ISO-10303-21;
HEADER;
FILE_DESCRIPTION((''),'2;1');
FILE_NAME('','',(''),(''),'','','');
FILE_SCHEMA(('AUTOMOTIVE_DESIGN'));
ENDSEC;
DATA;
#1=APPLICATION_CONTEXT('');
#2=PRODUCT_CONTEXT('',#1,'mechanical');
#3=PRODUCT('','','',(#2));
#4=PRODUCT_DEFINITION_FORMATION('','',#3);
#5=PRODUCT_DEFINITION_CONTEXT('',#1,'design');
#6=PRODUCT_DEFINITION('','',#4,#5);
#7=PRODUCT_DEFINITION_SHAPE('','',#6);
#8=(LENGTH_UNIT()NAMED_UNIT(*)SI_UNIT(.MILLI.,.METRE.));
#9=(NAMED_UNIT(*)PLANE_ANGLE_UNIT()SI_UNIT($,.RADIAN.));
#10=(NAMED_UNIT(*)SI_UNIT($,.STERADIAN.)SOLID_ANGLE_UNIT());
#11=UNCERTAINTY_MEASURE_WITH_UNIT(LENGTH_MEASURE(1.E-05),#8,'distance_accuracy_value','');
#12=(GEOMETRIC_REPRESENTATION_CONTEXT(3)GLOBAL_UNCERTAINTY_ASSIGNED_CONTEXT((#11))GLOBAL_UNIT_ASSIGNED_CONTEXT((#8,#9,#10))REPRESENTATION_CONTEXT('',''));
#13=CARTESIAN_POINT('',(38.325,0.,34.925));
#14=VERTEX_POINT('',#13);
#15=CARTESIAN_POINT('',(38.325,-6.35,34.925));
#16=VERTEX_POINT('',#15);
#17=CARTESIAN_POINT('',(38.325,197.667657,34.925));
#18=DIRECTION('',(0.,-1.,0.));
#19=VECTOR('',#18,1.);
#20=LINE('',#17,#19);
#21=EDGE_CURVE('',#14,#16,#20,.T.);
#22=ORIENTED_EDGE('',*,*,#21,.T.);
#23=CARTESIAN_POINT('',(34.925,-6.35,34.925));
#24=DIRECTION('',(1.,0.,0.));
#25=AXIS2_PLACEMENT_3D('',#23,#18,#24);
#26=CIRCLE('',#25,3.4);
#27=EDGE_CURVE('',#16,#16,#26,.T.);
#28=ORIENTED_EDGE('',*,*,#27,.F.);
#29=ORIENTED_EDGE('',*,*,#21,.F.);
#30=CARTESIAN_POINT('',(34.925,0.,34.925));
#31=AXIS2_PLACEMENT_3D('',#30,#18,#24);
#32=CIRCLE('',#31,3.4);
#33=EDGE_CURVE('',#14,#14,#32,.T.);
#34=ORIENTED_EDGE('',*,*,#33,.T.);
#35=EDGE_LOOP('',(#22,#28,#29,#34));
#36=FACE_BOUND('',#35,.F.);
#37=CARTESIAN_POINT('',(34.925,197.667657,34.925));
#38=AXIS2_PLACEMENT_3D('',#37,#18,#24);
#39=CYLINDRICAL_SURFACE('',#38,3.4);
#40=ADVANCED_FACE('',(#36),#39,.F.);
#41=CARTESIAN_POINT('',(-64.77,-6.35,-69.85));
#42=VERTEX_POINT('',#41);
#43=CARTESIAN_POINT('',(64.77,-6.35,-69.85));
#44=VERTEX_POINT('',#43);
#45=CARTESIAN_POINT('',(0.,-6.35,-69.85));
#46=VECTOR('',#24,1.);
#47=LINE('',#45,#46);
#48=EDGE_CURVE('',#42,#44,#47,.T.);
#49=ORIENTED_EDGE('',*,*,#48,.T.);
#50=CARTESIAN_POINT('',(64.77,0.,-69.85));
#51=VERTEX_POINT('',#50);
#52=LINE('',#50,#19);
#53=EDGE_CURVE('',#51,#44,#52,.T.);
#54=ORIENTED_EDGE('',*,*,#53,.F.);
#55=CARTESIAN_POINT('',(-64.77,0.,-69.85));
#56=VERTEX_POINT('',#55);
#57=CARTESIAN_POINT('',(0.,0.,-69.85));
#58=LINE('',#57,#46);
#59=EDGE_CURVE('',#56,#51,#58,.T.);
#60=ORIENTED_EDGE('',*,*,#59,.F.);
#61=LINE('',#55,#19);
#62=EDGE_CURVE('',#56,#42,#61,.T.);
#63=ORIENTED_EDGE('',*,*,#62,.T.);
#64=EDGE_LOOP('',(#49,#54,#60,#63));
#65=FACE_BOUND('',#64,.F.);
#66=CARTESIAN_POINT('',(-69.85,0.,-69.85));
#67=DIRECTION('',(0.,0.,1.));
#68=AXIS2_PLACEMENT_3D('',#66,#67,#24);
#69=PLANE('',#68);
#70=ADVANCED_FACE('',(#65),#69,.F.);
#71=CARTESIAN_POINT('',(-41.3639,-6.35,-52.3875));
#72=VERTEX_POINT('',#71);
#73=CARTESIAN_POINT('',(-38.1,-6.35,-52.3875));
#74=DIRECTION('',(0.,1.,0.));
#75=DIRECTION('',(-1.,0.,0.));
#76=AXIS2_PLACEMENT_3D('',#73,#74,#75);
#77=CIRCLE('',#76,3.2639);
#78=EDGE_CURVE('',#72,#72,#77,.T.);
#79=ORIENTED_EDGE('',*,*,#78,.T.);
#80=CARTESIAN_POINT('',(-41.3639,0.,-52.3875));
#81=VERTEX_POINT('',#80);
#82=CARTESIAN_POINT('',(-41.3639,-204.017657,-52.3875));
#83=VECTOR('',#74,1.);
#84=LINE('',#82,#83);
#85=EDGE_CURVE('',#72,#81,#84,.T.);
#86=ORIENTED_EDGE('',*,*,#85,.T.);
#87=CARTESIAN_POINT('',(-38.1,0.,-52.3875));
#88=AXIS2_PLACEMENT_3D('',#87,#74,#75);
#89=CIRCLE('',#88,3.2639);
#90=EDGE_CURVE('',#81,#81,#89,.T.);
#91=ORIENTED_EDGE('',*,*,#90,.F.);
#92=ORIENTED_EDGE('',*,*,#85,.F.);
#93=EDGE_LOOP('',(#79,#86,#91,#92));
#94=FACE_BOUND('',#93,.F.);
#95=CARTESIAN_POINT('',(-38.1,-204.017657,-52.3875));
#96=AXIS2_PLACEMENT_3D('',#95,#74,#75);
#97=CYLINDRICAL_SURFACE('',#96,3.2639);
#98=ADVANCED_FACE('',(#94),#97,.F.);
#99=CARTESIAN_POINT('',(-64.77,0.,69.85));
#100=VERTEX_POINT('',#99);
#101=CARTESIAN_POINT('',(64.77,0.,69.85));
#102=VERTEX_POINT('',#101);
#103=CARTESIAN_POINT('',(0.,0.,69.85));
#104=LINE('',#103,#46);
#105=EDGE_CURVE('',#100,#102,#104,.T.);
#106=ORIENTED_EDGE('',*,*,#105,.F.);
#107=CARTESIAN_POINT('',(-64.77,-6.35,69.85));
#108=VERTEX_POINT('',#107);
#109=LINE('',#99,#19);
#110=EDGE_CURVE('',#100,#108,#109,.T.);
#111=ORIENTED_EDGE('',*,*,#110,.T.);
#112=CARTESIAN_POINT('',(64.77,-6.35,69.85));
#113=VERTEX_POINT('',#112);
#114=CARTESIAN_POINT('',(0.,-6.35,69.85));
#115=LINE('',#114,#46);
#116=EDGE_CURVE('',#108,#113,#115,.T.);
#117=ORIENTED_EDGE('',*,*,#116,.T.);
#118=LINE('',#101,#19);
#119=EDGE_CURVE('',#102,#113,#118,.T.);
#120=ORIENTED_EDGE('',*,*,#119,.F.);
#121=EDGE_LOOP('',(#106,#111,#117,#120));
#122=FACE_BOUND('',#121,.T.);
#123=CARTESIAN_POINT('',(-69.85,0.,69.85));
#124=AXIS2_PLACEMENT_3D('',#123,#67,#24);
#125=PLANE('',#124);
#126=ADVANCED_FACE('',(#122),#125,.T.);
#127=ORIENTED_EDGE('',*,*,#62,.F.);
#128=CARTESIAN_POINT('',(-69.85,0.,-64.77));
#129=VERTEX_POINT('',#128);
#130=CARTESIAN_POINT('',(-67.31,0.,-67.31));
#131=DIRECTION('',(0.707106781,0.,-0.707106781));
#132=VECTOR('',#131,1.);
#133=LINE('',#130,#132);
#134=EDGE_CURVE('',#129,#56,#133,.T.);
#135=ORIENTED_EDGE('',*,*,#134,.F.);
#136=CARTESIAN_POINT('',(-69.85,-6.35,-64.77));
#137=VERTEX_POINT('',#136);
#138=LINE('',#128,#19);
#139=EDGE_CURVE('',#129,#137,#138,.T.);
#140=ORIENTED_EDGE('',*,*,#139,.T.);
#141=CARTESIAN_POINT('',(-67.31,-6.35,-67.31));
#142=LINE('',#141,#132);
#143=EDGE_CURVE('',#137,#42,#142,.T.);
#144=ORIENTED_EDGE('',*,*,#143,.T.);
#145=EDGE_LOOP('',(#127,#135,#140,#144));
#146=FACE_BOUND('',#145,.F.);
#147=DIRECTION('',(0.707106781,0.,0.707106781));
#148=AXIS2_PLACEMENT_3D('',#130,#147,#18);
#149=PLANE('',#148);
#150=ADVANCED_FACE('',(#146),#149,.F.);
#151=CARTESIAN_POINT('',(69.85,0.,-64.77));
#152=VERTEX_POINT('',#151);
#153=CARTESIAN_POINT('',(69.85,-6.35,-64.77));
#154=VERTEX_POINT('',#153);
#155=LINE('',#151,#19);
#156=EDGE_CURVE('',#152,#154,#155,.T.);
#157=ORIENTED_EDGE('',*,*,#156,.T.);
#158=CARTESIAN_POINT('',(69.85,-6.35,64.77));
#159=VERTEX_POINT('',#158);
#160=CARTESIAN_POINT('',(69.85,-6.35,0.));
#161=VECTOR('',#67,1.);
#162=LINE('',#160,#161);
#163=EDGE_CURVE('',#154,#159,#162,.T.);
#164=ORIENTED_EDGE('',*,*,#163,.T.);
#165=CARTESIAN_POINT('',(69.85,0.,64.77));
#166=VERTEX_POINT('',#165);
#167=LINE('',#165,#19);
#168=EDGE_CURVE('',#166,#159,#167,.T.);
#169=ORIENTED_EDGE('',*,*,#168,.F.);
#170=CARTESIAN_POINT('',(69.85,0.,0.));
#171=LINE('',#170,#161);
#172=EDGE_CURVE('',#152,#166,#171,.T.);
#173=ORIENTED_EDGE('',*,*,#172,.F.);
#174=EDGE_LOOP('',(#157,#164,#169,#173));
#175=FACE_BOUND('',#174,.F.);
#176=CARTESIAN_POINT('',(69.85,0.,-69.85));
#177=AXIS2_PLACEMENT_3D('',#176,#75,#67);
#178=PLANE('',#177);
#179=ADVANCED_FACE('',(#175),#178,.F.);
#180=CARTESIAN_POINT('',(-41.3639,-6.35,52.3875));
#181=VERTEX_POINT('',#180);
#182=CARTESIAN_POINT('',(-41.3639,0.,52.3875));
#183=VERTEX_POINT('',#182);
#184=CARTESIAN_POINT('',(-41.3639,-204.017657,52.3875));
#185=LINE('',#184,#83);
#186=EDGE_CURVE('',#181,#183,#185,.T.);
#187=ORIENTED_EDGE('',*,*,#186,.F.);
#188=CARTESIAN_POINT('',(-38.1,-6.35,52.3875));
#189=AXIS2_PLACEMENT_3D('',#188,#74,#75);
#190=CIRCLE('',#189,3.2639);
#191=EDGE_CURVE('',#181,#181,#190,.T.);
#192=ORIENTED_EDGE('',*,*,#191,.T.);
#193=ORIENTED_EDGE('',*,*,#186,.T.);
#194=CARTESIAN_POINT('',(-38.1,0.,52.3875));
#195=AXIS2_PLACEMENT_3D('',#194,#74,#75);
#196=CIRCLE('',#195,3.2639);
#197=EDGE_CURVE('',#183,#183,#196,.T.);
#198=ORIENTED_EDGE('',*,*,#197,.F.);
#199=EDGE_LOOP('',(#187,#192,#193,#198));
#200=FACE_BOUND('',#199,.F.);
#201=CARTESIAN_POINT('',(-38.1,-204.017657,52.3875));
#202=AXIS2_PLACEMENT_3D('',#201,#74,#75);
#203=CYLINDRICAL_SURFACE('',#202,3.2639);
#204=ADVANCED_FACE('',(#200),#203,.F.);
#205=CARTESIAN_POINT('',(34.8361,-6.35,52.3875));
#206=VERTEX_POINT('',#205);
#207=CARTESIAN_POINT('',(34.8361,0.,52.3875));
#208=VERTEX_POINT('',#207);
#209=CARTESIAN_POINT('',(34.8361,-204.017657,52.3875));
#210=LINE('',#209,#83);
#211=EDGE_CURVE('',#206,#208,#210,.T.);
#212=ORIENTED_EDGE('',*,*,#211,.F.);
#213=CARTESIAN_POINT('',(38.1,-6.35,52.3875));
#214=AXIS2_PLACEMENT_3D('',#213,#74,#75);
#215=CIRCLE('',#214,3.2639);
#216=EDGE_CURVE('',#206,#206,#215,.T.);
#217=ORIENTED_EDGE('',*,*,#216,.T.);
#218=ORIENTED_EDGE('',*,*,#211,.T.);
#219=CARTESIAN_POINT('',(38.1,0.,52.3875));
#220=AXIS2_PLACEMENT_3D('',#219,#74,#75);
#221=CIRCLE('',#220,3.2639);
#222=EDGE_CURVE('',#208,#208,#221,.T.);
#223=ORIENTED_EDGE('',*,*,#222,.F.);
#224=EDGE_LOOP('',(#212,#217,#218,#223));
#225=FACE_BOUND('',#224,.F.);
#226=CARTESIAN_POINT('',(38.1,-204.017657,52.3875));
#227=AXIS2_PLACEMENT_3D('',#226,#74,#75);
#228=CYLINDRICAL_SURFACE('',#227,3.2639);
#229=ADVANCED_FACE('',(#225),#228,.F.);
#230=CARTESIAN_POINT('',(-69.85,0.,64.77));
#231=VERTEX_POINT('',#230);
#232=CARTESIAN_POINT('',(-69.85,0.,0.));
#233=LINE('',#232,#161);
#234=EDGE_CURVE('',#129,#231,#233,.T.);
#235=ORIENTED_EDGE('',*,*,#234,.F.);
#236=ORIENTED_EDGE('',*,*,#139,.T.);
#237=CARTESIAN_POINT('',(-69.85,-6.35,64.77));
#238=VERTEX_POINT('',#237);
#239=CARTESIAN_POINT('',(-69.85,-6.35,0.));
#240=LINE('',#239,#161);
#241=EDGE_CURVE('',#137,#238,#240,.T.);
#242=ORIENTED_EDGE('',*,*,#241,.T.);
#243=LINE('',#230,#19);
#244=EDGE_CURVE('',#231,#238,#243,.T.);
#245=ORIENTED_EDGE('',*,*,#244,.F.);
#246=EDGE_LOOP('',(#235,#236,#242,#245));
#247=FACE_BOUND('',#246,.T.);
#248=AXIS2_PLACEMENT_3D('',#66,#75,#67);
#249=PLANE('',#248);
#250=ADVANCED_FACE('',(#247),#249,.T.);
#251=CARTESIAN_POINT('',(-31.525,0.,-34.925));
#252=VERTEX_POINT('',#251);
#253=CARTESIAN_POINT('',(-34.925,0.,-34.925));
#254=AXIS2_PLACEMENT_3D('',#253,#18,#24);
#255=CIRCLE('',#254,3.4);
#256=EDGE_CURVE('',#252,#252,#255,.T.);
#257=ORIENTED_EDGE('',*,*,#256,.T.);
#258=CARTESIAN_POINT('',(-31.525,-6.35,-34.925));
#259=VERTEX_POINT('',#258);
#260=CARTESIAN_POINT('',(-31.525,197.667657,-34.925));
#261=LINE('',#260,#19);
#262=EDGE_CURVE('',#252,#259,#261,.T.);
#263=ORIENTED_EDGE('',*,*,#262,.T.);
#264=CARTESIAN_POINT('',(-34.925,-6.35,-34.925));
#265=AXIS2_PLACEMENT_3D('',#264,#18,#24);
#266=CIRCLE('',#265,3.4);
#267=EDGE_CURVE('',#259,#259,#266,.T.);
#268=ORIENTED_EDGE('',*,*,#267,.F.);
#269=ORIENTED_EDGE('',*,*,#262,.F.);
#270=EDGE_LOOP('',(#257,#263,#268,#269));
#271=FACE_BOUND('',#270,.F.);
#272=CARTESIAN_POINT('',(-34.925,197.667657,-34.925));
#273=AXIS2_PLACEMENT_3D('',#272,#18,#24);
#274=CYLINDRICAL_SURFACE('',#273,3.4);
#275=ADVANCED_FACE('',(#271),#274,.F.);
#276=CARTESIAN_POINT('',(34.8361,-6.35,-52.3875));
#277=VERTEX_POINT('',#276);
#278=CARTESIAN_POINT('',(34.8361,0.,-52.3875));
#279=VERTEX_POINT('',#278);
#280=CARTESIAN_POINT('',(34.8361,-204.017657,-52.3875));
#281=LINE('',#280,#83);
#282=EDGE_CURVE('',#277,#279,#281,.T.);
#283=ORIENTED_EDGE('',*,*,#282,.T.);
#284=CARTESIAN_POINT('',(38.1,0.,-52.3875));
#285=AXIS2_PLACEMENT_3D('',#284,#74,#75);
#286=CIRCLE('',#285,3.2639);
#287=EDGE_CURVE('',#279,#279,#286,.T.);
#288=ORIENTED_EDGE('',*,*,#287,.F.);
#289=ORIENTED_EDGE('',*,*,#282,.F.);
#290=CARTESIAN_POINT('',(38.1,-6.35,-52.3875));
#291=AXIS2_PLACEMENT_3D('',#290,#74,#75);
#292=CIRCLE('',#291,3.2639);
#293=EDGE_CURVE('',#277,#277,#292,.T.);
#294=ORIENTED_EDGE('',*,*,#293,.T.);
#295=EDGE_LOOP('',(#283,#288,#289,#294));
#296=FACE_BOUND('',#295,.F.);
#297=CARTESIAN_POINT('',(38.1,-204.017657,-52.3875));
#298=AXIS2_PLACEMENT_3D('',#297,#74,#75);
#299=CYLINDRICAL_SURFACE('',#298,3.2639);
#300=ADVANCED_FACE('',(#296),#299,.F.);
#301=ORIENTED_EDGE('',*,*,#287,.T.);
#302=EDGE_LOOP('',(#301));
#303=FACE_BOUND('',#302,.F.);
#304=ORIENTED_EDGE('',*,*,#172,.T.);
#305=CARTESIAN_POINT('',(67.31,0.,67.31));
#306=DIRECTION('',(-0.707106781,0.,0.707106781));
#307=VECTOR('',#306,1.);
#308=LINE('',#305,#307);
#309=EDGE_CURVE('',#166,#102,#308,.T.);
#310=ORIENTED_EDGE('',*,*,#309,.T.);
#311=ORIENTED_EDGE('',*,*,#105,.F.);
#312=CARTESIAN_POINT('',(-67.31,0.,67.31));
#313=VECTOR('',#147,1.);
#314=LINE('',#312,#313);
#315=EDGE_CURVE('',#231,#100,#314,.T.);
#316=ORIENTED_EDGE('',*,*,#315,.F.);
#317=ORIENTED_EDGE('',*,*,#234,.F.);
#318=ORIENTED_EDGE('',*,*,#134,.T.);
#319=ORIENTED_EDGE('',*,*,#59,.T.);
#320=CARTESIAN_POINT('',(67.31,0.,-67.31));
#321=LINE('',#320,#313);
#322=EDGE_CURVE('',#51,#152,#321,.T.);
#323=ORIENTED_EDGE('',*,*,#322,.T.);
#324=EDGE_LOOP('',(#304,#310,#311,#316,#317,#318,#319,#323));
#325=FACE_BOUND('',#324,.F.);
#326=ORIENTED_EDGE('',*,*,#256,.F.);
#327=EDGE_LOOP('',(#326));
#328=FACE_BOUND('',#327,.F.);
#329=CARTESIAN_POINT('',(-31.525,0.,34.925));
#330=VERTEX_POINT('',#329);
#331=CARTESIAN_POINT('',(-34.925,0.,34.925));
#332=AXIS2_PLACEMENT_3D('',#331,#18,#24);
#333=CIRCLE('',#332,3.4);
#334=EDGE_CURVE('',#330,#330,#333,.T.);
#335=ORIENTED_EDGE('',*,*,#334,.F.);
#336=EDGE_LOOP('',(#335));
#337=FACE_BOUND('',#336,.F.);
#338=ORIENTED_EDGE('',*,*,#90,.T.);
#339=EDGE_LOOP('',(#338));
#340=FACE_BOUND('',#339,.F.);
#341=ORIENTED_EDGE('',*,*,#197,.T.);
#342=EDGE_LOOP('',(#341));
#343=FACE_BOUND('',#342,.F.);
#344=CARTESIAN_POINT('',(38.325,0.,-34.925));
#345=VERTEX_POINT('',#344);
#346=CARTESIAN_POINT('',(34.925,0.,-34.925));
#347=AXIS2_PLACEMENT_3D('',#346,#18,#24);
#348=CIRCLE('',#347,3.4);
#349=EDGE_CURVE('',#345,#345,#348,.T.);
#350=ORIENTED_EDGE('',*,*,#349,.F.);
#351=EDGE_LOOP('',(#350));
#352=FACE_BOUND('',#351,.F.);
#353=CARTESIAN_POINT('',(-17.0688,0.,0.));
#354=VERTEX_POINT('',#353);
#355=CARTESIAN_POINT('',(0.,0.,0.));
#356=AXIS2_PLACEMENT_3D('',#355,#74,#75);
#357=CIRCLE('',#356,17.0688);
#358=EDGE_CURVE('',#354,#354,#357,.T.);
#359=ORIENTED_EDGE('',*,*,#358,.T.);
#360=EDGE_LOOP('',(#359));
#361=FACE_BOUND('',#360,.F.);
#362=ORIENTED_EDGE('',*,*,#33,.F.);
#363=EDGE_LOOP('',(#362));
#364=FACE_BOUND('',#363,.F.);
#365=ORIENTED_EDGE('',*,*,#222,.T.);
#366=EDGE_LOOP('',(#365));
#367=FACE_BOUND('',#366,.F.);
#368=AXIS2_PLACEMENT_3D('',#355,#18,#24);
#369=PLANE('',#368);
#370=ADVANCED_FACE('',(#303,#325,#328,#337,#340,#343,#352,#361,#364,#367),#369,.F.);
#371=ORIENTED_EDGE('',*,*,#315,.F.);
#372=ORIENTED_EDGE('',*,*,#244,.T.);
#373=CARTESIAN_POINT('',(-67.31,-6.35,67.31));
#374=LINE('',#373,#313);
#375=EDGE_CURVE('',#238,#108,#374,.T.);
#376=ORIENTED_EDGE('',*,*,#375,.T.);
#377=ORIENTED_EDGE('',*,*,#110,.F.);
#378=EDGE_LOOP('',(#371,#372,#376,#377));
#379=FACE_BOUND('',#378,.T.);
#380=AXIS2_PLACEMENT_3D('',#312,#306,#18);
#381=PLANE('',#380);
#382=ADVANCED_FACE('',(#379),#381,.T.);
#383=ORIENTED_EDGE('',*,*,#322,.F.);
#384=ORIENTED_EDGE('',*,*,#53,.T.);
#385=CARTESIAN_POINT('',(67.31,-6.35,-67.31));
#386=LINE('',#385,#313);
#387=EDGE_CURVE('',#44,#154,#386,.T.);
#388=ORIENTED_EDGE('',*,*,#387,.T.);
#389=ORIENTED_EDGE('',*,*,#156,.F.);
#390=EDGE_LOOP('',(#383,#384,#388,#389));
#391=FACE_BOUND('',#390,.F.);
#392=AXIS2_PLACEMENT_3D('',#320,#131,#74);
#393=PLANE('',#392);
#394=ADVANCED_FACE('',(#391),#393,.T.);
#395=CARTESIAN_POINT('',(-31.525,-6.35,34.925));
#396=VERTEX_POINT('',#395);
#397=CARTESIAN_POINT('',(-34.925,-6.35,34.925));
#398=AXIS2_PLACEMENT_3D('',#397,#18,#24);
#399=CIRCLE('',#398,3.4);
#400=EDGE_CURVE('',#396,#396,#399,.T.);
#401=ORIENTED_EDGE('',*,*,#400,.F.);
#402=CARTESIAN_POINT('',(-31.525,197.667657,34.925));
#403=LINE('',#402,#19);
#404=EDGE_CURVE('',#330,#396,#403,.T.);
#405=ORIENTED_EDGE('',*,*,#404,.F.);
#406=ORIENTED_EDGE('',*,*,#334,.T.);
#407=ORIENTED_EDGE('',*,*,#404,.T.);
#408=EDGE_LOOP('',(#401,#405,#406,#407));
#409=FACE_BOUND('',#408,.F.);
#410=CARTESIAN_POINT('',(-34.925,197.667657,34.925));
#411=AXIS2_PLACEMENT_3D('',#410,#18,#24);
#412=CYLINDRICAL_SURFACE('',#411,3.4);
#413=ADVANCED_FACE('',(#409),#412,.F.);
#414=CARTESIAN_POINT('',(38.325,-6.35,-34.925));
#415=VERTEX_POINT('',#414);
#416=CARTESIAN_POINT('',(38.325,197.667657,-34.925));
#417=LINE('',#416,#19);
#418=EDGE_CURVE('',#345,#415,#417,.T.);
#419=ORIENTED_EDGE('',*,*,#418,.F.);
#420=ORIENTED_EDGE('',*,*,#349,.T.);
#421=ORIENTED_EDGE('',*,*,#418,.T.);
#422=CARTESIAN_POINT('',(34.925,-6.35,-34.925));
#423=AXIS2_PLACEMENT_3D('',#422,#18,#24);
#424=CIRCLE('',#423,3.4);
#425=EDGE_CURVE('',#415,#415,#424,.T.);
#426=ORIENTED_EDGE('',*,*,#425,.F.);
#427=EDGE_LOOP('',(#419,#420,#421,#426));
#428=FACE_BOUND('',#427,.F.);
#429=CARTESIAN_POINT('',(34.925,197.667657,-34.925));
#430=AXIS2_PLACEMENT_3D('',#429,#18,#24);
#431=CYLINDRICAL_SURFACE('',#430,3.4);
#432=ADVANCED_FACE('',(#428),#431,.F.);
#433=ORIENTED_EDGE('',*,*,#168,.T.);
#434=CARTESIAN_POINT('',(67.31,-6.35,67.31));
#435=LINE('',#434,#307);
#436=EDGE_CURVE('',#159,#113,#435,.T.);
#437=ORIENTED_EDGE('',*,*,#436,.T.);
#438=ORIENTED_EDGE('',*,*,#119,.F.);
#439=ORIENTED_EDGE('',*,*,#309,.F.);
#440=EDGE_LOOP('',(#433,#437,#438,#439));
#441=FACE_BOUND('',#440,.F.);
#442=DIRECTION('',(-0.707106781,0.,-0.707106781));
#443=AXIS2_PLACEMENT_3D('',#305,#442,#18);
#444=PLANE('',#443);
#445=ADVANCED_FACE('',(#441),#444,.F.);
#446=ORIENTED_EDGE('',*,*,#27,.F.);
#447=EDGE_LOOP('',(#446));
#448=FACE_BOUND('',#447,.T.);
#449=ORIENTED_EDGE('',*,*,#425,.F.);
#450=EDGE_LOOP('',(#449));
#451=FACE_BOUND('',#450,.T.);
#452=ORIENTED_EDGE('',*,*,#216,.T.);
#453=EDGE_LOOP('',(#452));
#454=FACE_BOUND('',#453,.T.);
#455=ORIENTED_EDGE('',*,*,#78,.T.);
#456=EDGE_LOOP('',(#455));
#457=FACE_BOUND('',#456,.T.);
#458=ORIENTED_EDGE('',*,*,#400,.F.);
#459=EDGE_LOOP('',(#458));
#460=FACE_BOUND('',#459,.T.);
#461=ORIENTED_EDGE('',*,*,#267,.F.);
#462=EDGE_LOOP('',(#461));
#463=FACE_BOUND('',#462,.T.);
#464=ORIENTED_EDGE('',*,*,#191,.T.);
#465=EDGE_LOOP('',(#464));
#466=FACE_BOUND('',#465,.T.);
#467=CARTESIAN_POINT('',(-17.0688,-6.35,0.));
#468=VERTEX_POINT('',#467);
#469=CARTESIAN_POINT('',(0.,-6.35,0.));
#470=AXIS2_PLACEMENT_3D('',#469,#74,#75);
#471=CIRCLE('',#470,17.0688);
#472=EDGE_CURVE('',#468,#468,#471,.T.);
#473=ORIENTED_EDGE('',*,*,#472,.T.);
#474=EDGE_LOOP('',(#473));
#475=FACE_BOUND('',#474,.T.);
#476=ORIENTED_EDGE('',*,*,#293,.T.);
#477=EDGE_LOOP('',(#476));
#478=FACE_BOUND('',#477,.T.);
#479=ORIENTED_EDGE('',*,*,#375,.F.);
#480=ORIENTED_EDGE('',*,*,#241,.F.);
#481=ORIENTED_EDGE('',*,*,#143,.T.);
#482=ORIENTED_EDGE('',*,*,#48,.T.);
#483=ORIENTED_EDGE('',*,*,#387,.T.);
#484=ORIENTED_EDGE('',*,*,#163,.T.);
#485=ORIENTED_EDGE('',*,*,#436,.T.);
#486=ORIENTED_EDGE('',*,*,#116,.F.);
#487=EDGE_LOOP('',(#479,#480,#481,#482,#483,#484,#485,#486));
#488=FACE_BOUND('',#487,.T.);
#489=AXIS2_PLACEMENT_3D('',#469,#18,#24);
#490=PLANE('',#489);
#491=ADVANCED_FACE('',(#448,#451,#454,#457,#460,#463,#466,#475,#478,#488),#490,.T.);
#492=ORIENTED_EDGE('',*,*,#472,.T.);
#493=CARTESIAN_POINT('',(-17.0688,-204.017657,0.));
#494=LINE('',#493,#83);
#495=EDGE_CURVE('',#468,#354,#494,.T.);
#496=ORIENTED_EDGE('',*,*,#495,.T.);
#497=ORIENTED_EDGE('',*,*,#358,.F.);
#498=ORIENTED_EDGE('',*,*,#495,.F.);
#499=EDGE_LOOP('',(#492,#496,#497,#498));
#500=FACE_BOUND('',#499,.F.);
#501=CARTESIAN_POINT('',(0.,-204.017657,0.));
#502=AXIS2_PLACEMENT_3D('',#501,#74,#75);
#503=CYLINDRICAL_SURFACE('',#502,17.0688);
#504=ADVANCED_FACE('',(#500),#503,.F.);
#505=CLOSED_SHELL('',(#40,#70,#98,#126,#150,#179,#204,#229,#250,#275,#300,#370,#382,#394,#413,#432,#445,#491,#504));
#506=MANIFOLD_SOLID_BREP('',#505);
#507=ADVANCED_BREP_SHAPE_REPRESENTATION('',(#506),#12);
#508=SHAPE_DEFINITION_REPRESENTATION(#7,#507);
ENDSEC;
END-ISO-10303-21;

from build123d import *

# Parameters (mm, degrees)
F0_W     = 139.7
F0_H     = 139.7
F1_DEPTH = 6.35
F3_SIZE  = 5.08
F4_D     = 6.8
F6_D     = 6.5278
F8_D     = 34.1376


with BuildPart() as f1:
    # F0 (on Front) → F1 (new body)
    with BuildSketch(Plane.XZ):
        Rectangle(F0_W, F0_H)
    extrude(amount=F1_DEPTH)

    # F3
    f3_edges = [f1.edges().sort_by_distance(p)[0] for p in [
        (-69.85, -3.175, 69.85),
        (69.85, -3.175, 69.85),
        (69.85, -3.175, -69.85),
        (-69.85, -3.175, -69.85),
    ]]
    chamfer(f3_edges, length=F3_SIZE)

    # F4 (through all)
    with Locations(Plane(origin=(0, 0, 0), x_dir=(-1, 0, 0), z_dir=(0, 1, 0))):
        with Locations((-34.925, 34.925), (-34.925, -34.925), (34.925, -34.925), (34.925, 34.925)):
            Hole(F4_D / 2)

    # F6 (through all)
    with Locations(Plane.XZ.offset(6.35)):
        with Locations((38.1, 52.3875), (-38.1, 52.3875), (-38.1, -52.3875), (38.1, -52.3875)):
            Hole(F6_D / 2)

    # F8 (through all)
    with Locations(Plane.XZ.offset(6.35)):
        with Locations((0, 0)):
            Hole(F8_D / 2)


solid = f1.part
